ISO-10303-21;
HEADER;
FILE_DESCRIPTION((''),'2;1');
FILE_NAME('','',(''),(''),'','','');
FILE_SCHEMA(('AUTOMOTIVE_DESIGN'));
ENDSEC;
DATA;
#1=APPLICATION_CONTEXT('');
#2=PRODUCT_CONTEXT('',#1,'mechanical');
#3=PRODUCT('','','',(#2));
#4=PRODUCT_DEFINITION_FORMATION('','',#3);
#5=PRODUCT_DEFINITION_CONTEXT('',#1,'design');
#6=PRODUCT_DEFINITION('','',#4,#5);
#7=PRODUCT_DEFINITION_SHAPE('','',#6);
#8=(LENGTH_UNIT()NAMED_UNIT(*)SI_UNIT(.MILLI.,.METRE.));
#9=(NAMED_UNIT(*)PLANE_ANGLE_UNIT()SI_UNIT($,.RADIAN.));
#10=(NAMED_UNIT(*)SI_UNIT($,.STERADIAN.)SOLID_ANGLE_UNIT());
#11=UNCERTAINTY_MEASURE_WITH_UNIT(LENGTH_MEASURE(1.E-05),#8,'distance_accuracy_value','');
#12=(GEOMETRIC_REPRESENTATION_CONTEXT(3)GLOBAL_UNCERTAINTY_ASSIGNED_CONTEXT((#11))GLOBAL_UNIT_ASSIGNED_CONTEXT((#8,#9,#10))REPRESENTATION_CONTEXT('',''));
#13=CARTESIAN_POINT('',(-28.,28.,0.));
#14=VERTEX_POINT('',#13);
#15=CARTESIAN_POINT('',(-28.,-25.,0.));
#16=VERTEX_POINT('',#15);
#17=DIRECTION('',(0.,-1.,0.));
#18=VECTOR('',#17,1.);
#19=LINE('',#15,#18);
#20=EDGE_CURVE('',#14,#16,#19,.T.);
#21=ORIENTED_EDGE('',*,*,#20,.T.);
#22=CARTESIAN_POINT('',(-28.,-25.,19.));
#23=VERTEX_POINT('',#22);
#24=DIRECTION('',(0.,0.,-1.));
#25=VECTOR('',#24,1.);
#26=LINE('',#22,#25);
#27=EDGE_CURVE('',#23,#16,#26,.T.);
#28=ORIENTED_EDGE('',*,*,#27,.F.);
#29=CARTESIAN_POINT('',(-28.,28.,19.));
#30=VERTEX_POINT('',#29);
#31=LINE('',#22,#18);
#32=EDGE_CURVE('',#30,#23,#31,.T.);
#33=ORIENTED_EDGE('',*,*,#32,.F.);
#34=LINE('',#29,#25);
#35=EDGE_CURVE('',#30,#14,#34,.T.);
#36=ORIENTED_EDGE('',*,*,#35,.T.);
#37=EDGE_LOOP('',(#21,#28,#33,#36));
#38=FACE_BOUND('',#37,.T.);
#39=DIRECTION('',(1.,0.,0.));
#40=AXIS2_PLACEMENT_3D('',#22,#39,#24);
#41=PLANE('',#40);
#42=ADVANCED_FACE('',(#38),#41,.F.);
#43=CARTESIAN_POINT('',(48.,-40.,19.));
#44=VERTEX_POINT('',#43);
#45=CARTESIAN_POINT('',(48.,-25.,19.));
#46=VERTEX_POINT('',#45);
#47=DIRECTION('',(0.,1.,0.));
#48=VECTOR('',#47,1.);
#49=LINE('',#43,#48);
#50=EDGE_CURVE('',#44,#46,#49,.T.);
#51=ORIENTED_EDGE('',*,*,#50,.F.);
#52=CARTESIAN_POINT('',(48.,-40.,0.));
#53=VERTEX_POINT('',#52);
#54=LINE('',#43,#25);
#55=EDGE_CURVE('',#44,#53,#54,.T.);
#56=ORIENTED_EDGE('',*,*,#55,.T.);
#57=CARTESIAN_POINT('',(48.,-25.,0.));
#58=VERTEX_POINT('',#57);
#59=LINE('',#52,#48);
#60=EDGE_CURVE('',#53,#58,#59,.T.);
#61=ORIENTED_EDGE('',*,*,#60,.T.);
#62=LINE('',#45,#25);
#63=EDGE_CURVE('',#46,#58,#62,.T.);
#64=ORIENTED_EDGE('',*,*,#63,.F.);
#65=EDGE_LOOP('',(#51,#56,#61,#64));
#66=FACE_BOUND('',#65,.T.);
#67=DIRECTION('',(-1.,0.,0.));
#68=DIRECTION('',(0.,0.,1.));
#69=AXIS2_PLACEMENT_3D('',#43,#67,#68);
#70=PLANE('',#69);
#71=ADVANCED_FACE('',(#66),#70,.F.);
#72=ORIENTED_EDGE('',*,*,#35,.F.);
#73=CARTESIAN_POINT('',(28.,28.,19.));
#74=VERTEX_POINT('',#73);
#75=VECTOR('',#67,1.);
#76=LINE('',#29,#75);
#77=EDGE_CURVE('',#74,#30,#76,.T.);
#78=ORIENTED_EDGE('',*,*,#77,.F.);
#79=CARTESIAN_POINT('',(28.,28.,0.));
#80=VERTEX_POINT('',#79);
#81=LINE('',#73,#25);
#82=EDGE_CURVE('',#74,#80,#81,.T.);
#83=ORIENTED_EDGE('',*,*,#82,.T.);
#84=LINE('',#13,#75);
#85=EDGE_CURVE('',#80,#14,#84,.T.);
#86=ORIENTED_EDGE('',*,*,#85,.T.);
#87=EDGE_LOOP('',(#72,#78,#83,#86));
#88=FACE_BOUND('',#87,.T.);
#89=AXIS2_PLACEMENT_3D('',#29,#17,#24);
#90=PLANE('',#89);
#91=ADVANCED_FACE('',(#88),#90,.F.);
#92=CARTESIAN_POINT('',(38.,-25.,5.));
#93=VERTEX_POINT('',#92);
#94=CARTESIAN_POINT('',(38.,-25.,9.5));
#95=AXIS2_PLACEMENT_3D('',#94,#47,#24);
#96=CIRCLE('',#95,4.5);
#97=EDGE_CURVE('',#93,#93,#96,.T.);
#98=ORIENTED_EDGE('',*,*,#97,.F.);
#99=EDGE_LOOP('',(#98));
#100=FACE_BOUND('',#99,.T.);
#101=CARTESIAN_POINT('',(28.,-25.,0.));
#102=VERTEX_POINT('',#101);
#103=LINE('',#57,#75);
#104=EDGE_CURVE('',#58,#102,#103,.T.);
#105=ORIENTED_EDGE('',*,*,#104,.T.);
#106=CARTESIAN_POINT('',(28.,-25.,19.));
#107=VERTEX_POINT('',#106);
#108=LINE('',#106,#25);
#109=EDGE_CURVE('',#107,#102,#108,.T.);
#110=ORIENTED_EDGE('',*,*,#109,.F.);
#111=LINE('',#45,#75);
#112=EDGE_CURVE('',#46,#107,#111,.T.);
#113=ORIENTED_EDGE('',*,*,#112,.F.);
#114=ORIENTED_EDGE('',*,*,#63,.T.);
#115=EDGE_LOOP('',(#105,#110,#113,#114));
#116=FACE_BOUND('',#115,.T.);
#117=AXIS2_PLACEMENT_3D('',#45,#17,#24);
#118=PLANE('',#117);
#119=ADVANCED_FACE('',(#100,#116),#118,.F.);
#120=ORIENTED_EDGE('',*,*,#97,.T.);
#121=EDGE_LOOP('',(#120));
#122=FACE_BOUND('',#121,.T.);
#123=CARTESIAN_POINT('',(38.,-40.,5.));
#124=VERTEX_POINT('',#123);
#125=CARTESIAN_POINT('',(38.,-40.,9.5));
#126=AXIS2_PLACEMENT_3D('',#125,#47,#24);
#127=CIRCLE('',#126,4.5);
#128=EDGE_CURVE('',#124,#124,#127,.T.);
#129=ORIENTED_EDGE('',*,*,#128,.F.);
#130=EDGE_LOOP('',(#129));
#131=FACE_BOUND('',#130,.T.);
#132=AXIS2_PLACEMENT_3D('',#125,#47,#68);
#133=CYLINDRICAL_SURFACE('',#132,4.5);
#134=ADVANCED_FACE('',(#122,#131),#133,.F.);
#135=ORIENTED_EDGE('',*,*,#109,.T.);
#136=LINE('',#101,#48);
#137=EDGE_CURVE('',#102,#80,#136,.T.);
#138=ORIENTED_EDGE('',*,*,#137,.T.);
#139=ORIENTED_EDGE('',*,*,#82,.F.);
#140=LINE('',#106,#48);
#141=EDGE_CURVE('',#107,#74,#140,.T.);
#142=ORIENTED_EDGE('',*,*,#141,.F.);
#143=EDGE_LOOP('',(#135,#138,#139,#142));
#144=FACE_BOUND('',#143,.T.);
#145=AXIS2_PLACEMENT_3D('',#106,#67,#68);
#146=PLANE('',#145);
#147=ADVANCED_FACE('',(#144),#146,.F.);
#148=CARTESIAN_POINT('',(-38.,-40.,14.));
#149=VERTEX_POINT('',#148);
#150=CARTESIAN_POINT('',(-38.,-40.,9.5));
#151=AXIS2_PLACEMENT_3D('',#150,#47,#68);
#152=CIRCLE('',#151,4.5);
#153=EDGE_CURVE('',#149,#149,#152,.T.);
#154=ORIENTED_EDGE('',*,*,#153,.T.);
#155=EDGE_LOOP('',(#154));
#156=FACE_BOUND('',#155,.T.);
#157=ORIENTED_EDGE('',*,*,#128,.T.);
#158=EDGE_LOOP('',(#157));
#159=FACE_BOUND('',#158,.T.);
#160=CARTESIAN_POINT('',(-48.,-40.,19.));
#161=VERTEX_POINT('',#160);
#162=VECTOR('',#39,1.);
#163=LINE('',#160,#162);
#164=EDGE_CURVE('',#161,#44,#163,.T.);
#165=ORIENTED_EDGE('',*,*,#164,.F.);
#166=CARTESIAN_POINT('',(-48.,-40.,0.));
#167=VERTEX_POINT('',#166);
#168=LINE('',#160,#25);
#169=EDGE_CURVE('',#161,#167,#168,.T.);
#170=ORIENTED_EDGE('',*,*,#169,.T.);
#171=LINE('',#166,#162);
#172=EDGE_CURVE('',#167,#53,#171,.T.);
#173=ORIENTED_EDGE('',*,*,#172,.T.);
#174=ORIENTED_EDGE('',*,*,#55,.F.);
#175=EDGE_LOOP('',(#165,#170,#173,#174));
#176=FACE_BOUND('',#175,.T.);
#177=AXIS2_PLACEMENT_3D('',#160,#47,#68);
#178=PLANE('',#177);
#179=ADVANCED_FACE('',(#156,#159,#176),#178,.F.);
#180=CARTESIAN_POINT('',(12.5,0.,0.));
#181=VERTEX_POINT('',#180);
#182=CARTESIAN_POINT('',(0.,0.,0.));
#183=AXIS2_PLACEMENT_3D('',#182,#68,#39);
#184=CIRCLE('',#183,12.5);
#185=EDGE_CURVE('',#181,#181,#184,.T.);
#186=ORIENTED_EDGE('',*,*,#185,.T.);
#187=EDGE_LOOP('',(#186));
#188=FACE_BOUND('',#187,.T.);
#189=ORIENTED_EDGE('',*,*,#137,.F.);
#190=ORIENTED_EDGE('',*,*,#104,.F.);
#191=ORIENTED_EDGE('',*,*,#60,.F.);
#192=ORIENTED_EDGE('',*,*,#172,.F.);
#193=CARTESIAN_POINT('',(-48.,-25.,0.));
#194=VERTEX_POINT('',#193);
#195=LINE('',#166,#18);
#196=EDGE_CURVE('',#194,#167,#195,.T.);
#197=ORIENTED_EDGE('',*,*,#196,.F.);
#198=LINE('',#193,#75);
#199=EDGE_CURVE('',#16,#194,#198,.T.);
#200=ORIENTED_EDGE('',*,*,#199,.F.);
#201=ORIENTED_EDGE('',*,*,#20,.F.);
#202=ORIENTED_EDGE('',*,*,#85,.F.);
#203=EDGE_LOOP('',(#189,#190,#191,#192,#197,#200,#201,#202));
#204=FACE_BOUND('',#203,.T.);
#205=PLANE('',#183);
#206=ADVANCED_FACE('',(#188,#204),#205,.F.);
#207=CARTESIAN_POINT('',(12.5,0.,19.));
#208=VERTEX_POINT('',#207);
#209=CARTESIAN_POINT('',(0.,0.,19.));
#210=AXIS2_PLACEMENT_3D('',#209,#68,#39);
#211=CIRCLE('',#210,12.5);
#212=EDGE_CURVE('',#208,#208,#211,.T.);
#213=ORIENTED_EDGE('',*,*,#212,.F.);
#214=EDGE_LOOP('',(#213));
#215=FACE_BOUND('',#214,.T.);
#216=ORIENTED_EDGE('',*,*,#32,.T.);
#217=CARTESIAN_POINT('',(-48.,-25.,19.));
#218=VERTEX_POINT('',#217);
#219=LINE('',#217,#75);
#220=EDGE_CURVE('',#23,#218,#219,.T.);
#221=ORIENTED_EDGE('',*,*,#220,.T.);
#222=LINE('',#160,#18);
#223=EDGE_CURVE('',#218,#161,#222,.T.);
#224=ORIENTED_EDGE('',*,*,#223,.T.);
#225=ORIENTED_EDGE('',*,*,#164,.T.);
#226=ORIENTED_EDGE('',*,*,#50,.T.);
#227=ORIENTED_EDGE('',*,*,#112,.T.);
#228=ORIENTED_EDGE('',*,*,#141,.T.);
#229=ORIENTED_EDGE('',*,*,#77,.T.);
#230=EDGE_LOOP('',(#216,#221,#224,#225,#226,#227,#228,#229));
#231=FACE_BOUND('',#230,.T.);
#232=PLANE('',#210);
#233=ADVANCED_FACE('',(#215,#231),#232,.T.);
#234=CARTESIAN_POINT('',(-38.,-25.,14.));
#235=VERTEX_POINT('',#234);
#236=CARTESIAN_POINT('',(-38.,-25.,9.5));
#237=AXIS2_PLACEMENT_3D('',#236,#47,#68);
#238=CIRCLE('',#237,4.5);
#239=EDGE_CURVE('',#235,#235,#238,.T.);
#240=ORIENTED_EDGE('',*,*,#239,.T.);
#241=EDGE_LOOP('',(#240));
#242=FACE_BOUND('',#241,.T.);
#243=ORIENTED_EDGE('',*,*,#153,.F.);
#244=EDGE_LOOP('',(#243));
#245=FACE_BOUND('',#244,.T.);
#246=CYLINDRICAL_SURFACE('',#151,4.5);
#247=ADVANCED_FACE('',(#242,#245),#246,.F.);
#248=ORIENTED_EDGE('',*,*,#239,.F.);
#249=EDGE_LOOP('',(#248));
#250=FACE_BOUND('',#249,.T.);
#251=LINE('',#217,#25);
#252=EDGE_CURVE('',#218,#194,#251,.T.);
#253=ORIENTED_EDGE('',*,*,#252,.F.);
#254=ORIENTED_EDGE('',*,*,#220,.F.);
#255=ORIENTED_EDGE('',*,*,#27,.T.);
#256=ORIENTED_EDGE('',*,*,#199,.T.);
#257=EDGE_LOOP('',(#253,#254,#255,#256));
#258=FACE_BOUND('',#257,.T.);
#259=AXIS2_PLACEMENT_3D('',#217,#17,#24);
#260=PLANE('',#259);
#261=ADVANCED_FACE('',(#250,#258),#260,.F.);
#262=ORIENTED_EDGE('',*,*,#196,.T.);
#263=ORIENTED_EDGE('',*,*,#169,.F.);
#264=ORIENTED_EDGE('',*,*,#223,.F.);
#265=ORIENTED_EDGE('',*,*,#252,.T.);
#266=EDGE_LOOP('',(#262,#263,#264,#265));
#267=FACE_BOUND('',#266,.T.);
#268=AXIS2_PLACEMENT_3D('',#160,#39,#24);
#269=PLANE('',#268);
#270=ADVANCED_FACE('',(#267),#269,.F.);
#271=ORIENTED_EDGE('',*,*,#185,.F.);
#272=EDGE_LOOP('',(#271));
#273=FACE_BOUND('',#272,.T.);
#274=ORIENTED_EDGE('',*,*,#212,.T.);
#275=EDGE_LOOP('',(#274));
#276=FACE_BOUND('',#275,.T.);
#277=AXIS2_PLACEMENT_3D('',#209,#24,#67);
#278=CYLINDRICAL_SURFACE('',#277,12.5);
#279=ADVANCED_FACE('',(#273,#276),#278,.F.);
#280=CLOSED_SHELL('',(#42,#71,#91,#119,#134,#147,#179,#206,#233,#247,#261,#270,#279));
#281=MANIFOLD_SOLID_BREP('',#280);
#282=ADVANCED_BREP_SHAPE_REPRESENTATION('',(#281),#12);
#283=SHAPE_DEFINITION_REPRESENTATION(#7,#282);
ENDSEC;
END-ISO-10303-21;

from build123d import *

# Parameters (mm, degrees)
SKETCH_1_R          = 12.5
EXTRUDE_1_DEPTH     = 19
SKETCH_2_R          = 4.5
CUT_EXTRUDE_1_DEPTH = 74.986485252


with BuildPart() as part:
    # 草图1 → 凸台-拉伸1 (new body)
    with BuildSketch(Plane.XY):
        Polygon((-48, -40), (-48, -25), (-28, -25), (-28, 28), (28, 28), (28, -25), (48, -25), (48, -40), align=None)
        Circle(SKETCH_1_R, mode=Mode.SUBTRACT)
    extrude(amount=EXTRUDE_1_DEPTH)

    # 草图2 → 切除-拉伸1 (cut, through all)
    with BuildSketch(Plane(origin=(0, -25, 0), x_dir=(1, 0, 0), z_dir=(0, 1, 0))):
        with Locations(Location((-38, -9.5, 0), (0, 0, 270))):
            Circle(SKETCH_2_R)
        with Locations(Location((38, -9.5, 0), (0, 0, 90))):
            Circle(SKETCH_2_R)
    extrude(amount=-CUT_EXTRUDE_1_DEPTH, mode=Mode.SUBTRACT)


solid = part.part
